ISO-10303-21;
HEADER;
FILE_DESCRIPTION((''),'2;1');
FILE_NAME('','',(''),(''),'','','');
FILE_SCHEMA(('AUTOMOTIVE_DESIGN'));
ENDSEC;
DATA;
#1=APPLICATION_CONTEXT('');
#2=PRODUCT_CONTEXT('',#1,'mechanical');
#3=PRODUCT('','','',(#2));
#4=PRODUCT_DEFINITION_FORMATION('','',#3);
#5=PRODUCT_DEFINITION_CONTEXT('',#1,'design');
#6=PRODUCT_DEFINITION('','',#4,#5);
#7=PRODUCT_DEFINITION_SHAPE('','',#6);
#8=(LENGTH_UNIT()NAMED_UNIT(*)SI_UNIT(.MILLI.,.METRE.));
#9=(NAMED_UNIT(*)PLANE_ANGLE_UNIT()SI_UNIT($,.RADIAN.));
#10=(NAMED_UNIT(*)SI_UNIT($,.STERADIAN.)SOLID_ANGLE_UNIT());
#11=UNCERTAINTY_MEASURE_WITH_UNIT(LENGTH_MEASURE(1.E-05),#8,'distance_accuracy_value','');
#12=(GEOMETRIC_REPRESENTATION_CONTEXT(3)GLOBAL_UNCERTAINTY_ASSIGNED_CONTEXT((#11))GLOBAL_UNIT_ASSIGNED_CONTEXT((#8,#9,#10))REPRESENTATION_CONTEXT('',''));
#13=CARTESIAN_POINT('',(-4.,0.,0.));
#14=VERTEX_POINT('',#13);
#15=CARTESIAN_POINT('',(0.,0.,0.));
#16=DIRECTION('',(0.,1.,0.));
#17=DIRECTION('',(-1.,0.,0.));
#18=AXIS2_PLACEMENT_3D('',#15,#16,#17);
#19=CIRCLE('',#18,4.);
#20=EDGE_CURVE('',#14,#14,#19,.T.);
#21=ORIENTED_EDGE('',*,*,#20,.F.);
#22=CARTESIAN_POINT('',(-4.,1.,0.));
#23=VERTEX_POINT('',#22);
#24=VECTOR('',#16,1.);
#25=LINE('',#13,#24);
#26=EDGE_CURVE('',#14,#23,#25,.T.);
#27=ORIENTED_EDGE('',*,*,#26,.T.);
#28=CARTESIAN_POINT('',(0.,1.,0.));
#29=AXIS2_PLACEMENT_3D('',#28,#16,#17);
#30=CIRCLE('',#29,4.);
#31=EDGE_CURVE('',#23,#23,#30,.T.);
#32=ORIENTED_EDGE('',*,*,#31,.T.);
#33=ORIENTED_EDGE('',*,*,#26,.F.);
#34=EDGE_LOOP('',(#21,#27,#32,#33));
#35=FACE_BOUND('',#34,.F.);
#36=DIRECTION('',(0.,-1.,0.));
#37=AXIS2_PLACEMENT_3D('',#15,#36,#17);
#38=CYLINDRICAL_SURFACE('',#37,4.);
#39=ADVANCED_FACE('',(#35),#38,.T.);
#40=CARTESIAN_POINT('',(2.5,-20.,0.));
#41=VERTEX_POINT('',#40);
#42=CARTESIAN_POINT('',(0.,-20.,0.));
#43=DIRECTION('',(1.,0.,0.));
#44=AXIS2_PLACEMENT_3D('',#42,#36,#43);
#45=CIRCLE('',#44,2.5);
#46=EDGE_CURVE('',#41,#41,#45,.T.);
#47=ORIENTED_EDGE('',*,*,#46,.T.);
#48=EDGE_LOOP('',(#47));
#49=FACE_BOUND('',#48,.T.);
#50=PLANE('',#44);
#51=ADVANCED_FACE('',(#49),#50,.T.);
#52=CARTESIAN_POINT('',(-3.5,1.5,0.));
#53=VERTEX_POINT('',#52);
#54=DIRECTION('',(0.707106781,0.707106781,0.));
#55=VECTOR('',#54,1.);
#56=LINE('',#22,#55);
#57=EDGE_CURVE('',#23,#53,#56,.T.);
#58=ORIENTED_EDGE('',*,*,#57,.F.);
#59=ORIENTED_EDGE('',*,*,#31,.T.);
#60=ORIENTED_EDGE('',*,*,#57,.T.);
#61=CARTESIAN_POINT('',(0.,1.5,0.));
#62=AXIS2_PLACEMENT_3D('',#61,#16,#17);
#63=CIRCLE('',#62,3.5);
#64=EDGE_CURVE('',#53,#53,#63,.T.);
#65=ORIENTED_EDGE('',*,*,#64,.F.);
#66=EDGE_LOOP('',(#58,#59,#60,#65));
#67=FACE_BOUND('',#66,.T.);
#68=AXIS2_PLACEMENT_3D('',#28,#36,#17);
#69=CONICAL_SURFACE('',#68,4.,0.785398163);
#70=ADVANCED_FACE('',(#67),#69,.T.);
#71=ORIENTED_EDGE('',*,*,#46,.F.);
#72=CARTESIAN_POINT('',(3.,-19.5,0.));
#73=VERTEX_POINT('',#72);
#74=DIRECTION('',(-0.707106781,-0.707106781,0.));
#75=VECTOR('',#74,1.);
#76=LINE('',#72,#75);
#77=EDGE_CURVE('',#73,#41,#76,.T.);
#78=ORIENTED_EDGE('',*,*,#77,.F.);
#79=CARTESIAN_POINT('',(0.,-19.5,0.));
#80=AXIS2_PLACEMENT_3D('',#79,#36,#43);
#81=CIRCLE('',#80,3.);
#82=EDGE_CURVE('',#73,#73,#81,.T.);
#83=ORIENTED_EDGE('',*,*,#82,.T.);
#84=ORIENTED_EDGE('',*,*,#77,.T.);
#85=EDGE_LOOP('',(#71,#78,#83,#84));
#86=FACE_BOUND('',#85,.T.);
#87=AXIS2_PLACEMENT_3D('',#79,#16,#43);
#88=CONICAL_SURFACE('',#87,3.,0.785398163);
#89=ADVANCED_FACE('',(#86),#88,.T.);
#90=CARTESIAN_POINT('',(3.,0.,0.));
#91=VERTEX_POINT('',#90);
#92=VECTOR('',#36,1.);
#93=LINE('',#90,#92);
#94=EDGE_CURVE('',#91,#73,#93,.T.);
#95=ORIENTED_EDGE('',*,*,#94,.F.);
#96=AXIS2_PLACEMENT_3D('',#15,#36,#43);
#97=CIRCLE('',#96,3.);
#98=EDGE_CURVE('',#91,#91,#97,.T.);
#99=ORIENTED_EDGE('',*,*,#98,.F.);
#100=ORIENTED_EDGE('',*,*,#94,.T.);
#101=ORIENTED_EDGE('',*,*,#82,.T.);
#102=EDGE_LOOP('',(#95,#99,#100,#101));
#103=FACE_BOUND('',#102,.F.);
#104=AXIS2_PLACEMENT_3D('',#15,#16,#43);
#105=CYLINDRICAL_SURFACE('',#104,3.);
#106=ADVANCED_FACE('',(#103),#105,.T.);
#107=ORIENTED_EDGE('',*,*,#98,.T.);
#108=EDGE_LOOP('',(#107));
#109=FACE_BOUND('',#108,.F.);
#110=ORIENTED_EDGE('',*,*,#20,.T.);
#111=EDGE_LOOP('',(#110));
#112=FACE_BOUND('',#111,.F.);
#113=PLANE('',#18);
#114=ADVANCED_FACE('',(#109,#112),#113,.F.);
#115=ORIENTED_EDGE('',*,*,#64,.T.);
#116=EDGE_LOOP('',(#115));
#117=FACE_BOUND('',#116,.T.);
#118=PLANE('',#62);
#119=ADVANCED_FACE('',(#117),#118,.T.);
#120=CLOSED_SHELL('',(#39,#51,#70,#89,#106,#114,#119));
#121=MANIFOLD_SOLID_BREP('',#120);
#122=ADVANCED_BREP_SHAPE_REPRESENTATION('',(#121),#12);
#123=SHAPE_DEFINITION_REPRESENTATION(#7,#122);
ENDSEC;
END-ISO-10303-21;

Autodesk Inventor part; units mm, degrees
ref_plane "YZ Plane" through (0, 0, 0) normal (1, 0, 0) x (0, 1, 0)
ref_plane "XZ Plane" through (0, 0, 0) normal (0, 1, 0) x (-1, 0, 0)
ref_plane "XY Plane" through (0, 0, 0) normal (0, 0, 1) x (1, 0, 0)
sketch "Sketch1" plane through (0, 0, 0) normal (0, 1, 0) x (-1, 0, 0)
  circle A0 centre (0, 0) radius 4
  dimension "d0" = 8
extrude "Extrusion1" add sketch "Sketch1" along normal blind 1.5
sketch "Sketch2" plane through (0, 0, 0) normal (0, -1, 0) x (1, 0, 0)
  circle A0 centre (0, 0) radius 3
  dimension "d4" = 6
extrude "Extrusion2" add sketch "Sketch2" along normal blind 20
chamfer "Chamfer1" distance 0.5 angle 45 1 edges at (4, 1.5, 0)
chamfer "Chamfer2" distance 0.5 angle 45 1 edges at (-3, -20, 0)
properties part number "reverse gear crankrod pin 1"
